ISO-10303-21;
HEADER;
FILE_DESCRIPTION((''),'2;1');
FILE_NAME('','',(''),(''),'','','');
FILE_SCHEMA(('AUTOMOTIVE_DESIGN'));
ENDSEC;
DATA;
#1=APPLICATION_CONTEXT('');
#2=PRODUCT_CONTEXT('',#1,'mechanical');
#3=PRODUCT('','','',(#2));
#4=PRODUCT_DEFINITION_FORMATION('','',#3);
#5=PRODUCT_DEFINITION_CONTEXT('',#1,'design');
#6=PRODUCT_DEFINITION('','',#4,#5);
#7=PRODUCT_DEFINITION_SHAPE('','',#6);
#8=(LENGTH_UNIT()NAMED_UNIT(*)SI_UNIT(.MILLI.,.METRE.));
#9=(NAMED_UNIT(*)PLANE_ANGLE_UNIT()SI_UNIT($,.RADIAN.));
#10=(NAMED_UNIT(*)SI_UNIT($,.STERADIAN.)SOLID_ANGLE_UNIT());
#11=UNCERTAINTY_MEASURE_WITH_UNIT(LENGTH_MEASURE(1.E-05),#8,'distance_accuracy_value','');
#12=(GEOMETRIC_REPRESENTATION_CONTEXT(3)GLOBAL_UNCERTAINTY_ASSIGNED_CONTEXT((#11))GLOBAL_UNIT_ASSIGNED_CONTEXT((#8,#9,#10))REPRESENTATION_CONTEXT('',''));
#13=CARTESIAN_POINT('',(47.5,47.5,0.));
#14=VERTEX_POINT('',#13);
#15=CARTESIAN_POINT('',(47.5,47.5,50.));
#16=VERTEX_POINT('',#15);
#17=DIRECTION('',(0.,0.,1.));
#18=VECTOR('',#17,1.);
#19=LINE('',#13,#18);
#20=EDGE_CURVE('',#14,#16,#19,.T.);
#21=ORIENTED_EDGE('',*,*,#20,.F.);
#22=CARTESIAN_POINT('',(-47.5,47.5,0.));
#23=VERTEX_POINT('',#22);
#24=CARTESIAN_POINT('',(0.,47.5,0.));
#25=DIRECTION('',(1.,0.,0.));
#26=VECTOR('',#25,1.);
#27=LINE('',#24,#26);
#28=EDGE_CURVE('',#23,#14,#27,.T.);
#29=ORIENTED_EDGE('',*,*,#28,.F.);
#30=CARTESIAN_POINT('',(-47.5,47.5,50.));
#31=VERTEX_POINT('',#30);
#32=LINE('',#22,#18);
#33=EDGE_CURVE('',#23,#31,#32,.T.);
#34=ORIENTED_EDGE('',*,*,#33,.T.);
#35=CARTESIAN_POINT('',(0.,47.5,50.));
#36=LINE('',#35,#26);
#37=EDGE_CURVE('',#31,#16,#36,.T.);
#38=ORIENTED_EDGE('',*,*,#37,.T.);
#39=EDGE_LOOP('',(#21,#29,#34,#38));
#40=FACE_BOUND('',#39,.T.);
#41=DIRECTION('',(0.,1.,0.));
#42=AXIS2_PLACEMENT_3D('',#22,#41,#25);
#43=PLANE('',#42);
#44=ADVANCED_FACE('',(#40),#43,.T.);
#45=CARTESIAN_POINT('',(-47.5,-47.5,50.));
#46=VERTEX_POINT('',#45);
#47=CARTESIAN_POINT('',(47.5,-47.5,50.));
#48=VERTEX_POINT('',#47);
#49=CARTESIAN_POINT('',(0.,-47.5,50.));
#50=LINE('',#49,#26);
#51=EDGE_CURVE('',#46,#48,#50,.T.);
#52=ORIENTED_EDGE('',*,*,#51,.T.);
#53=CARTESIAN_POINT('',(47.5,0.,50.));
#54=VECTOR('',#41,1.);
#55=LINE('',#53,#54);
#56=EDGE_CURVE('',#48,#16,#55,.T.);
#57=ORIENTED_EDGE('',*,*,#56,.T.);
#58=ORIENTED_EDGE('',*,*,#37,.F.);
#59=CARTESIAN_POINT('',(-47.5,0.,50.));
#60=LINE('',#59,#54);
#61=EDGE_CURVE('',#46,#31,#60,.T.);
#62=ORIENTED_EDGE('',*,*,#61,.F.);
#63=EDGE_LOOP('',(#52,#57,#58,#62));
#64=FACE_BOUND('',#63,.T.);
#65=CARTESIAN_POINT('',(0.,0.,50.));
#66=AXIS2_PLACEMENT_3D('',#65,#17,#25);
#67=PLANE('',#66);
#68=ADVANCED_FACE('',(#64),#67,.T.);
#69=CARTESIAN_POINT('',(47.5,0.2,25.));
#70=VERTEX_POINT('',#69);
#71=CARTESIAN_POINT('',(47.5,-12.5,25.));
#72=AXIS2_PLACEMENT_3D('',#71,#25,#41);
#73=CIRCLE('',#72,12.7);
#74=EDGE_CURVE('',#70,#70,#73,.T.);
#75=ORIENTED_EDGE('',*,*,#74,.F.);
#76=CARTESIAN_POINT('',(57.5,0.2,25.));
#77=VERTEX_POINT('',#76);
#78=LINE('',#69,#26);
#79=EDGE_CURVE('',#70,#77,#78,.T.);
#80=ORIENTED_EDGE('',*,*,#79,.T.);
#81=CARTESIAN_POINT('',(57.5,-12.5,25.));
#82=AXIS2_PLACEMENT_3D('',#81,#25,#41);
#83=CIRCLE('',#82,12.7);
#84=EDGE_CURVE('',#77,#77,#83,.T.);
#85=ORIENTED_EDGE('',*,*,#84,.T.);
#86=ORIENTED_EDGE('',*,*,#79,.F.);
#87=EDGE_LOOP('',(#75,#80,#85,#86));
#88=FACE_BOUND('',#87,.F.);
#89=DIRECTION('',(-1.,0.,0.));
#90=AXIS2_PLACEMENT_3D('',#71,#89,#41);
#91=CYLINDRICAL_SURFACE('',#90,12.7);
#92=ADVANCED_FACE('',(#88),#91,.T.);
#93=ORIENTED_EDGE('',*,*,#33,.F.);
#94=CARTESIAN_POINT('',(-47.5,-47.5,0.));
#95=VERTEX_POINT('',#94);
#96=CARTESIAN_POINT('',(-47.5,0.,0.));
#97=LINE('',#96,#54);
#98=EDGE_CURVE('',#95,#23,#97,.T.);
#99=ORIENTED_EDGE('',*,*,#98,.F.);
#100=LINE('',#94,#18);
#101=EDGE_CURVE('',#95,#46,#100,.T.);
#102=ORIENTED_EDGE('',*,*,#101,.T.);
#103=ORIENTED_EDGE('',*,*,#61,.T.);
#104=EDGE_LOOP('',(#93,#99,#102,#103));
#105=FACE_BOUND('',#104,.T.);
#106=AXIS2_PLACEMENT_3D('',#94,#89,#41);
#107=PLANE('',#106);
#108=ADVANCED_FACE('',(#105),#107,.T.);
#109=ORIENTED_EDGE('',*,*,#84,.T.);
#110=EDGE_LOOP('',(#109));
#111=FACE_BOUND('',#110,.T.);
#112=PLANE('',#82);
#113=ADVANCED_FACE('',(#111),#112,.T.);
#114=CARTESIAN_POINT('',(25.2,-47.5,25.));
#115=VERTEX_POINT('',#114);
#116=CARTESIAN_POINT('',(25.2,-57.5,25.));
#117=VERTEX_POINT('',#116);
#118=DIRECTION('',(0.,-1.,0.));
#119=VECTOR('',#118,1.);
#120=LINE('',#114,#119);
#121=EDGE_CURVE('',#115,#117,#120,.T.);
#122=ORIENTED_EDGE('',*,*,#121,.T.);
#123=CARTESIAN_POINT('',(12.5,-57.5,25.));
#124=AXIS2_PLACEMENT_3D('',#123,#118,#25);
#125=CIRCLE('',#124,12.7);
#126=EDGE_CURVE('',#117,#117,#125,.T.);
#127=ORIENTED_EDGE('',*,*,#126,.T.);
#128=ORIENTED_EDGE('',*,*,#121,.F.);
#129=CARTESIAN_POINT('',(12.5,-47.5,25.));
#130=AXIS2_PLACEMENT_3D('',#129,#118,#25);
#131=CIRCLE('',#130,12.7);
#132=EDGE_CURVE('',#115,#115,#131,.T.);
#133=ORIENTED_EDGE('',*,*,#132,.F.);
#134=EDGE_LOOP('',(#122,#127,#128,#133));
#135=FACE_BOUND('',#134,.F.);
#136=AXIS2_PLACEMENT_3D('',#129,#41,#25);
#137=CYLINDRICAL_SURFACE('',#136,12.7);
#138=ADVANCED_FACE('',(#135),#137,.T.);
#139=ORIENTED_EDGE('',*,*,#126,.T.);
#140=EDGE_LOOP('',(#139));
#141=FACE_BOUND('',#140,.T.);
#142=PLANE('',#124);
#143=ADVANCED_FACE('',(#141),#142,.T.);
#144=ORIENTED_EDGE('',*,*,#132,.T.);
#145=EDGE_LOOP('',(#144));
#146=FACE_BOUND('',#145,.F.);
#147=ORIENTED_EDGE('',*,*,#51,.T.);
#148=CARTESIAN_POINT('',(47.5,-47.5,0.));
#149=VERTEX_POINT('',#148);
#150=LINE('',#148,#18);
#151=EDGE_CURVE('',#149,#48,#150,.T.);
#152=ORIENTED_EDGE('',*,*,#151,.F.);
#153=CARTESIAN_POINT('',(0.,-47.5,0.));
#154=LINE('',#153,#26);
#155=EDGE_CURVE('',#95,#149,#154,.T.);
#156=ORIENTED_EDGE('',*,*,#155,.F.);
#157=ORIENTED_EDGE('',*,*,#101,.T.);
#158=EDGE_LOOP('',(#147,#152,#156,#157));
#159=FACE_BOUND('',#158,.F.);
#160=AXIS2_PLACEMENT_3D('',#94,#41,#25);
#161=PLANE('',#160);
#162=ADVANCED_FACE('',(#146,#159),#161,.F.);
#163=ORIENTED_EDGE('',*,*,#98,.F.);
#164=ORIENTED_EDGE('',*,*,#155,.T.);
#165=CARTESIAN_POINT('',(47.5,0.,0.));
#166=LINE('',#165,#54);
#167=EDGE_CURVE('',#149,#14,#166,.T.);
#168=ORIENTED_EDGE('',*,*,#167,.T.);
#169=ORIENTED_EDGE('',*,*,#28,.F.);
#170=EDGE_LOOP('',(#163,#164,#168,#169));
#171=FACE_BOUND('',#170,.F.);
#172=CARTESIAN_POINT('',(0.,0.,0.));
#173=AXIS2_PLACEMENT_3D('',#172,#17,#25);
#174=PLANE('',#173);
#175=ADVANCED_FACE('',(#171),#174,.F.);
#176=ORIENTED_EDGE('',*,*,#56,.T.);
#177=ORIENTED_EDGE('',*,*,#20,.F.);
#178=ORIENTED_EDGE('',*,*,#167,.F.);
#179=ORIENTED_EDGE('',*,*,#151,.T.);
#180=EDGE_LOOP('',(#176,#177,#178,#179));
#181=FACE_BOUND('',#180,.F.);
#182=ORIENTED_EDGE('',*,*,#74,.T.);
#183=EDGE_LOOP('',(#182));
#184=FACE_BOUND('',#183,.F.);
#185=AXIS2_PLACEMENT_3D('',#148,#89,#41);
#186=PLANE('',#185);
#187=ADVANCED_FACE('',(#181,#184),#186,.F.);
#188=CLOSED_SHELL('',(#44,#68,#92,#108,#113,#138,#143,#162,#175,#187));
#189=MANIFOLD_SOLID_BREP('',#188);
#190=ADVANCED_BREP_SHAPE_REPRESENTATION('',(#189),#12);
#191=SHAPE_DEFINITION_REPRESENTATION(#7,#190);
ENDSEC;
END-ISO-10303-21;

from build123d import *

# Parameters (mm, degrees)
F0_W     = 95
F0_H     = 95
F1_DEPTH = 50
F2_R     = 12.7
F3_DEPTH = 10
F4_R     = 12.7
F5_DEPTH = 10


with BuildPart() as f1:
    # F0 (on Top) → F1 (new body)
    with BuildSketch(Plane.XY):
        Rectangle(F0_W, F0_H)
    extrude(amount=F1_DEPTH)

    # F2 (on face) → F3 (join)
    with BuildSketch(Plane.XZ.offset(47.5)):
        with Locations((12.5, 25)):
            Circle(F2_R)
    extrude(amount=F3_DEPTH)

    # F4 (on face) → F5 (join)
    with BuildSketch(Plane.YZ.offset(47.5)):
        with Locations((-12.5, 25)):
            Circle(F4_R)
    extrude(amount=F5_DEPTH)


solid = f1.part
